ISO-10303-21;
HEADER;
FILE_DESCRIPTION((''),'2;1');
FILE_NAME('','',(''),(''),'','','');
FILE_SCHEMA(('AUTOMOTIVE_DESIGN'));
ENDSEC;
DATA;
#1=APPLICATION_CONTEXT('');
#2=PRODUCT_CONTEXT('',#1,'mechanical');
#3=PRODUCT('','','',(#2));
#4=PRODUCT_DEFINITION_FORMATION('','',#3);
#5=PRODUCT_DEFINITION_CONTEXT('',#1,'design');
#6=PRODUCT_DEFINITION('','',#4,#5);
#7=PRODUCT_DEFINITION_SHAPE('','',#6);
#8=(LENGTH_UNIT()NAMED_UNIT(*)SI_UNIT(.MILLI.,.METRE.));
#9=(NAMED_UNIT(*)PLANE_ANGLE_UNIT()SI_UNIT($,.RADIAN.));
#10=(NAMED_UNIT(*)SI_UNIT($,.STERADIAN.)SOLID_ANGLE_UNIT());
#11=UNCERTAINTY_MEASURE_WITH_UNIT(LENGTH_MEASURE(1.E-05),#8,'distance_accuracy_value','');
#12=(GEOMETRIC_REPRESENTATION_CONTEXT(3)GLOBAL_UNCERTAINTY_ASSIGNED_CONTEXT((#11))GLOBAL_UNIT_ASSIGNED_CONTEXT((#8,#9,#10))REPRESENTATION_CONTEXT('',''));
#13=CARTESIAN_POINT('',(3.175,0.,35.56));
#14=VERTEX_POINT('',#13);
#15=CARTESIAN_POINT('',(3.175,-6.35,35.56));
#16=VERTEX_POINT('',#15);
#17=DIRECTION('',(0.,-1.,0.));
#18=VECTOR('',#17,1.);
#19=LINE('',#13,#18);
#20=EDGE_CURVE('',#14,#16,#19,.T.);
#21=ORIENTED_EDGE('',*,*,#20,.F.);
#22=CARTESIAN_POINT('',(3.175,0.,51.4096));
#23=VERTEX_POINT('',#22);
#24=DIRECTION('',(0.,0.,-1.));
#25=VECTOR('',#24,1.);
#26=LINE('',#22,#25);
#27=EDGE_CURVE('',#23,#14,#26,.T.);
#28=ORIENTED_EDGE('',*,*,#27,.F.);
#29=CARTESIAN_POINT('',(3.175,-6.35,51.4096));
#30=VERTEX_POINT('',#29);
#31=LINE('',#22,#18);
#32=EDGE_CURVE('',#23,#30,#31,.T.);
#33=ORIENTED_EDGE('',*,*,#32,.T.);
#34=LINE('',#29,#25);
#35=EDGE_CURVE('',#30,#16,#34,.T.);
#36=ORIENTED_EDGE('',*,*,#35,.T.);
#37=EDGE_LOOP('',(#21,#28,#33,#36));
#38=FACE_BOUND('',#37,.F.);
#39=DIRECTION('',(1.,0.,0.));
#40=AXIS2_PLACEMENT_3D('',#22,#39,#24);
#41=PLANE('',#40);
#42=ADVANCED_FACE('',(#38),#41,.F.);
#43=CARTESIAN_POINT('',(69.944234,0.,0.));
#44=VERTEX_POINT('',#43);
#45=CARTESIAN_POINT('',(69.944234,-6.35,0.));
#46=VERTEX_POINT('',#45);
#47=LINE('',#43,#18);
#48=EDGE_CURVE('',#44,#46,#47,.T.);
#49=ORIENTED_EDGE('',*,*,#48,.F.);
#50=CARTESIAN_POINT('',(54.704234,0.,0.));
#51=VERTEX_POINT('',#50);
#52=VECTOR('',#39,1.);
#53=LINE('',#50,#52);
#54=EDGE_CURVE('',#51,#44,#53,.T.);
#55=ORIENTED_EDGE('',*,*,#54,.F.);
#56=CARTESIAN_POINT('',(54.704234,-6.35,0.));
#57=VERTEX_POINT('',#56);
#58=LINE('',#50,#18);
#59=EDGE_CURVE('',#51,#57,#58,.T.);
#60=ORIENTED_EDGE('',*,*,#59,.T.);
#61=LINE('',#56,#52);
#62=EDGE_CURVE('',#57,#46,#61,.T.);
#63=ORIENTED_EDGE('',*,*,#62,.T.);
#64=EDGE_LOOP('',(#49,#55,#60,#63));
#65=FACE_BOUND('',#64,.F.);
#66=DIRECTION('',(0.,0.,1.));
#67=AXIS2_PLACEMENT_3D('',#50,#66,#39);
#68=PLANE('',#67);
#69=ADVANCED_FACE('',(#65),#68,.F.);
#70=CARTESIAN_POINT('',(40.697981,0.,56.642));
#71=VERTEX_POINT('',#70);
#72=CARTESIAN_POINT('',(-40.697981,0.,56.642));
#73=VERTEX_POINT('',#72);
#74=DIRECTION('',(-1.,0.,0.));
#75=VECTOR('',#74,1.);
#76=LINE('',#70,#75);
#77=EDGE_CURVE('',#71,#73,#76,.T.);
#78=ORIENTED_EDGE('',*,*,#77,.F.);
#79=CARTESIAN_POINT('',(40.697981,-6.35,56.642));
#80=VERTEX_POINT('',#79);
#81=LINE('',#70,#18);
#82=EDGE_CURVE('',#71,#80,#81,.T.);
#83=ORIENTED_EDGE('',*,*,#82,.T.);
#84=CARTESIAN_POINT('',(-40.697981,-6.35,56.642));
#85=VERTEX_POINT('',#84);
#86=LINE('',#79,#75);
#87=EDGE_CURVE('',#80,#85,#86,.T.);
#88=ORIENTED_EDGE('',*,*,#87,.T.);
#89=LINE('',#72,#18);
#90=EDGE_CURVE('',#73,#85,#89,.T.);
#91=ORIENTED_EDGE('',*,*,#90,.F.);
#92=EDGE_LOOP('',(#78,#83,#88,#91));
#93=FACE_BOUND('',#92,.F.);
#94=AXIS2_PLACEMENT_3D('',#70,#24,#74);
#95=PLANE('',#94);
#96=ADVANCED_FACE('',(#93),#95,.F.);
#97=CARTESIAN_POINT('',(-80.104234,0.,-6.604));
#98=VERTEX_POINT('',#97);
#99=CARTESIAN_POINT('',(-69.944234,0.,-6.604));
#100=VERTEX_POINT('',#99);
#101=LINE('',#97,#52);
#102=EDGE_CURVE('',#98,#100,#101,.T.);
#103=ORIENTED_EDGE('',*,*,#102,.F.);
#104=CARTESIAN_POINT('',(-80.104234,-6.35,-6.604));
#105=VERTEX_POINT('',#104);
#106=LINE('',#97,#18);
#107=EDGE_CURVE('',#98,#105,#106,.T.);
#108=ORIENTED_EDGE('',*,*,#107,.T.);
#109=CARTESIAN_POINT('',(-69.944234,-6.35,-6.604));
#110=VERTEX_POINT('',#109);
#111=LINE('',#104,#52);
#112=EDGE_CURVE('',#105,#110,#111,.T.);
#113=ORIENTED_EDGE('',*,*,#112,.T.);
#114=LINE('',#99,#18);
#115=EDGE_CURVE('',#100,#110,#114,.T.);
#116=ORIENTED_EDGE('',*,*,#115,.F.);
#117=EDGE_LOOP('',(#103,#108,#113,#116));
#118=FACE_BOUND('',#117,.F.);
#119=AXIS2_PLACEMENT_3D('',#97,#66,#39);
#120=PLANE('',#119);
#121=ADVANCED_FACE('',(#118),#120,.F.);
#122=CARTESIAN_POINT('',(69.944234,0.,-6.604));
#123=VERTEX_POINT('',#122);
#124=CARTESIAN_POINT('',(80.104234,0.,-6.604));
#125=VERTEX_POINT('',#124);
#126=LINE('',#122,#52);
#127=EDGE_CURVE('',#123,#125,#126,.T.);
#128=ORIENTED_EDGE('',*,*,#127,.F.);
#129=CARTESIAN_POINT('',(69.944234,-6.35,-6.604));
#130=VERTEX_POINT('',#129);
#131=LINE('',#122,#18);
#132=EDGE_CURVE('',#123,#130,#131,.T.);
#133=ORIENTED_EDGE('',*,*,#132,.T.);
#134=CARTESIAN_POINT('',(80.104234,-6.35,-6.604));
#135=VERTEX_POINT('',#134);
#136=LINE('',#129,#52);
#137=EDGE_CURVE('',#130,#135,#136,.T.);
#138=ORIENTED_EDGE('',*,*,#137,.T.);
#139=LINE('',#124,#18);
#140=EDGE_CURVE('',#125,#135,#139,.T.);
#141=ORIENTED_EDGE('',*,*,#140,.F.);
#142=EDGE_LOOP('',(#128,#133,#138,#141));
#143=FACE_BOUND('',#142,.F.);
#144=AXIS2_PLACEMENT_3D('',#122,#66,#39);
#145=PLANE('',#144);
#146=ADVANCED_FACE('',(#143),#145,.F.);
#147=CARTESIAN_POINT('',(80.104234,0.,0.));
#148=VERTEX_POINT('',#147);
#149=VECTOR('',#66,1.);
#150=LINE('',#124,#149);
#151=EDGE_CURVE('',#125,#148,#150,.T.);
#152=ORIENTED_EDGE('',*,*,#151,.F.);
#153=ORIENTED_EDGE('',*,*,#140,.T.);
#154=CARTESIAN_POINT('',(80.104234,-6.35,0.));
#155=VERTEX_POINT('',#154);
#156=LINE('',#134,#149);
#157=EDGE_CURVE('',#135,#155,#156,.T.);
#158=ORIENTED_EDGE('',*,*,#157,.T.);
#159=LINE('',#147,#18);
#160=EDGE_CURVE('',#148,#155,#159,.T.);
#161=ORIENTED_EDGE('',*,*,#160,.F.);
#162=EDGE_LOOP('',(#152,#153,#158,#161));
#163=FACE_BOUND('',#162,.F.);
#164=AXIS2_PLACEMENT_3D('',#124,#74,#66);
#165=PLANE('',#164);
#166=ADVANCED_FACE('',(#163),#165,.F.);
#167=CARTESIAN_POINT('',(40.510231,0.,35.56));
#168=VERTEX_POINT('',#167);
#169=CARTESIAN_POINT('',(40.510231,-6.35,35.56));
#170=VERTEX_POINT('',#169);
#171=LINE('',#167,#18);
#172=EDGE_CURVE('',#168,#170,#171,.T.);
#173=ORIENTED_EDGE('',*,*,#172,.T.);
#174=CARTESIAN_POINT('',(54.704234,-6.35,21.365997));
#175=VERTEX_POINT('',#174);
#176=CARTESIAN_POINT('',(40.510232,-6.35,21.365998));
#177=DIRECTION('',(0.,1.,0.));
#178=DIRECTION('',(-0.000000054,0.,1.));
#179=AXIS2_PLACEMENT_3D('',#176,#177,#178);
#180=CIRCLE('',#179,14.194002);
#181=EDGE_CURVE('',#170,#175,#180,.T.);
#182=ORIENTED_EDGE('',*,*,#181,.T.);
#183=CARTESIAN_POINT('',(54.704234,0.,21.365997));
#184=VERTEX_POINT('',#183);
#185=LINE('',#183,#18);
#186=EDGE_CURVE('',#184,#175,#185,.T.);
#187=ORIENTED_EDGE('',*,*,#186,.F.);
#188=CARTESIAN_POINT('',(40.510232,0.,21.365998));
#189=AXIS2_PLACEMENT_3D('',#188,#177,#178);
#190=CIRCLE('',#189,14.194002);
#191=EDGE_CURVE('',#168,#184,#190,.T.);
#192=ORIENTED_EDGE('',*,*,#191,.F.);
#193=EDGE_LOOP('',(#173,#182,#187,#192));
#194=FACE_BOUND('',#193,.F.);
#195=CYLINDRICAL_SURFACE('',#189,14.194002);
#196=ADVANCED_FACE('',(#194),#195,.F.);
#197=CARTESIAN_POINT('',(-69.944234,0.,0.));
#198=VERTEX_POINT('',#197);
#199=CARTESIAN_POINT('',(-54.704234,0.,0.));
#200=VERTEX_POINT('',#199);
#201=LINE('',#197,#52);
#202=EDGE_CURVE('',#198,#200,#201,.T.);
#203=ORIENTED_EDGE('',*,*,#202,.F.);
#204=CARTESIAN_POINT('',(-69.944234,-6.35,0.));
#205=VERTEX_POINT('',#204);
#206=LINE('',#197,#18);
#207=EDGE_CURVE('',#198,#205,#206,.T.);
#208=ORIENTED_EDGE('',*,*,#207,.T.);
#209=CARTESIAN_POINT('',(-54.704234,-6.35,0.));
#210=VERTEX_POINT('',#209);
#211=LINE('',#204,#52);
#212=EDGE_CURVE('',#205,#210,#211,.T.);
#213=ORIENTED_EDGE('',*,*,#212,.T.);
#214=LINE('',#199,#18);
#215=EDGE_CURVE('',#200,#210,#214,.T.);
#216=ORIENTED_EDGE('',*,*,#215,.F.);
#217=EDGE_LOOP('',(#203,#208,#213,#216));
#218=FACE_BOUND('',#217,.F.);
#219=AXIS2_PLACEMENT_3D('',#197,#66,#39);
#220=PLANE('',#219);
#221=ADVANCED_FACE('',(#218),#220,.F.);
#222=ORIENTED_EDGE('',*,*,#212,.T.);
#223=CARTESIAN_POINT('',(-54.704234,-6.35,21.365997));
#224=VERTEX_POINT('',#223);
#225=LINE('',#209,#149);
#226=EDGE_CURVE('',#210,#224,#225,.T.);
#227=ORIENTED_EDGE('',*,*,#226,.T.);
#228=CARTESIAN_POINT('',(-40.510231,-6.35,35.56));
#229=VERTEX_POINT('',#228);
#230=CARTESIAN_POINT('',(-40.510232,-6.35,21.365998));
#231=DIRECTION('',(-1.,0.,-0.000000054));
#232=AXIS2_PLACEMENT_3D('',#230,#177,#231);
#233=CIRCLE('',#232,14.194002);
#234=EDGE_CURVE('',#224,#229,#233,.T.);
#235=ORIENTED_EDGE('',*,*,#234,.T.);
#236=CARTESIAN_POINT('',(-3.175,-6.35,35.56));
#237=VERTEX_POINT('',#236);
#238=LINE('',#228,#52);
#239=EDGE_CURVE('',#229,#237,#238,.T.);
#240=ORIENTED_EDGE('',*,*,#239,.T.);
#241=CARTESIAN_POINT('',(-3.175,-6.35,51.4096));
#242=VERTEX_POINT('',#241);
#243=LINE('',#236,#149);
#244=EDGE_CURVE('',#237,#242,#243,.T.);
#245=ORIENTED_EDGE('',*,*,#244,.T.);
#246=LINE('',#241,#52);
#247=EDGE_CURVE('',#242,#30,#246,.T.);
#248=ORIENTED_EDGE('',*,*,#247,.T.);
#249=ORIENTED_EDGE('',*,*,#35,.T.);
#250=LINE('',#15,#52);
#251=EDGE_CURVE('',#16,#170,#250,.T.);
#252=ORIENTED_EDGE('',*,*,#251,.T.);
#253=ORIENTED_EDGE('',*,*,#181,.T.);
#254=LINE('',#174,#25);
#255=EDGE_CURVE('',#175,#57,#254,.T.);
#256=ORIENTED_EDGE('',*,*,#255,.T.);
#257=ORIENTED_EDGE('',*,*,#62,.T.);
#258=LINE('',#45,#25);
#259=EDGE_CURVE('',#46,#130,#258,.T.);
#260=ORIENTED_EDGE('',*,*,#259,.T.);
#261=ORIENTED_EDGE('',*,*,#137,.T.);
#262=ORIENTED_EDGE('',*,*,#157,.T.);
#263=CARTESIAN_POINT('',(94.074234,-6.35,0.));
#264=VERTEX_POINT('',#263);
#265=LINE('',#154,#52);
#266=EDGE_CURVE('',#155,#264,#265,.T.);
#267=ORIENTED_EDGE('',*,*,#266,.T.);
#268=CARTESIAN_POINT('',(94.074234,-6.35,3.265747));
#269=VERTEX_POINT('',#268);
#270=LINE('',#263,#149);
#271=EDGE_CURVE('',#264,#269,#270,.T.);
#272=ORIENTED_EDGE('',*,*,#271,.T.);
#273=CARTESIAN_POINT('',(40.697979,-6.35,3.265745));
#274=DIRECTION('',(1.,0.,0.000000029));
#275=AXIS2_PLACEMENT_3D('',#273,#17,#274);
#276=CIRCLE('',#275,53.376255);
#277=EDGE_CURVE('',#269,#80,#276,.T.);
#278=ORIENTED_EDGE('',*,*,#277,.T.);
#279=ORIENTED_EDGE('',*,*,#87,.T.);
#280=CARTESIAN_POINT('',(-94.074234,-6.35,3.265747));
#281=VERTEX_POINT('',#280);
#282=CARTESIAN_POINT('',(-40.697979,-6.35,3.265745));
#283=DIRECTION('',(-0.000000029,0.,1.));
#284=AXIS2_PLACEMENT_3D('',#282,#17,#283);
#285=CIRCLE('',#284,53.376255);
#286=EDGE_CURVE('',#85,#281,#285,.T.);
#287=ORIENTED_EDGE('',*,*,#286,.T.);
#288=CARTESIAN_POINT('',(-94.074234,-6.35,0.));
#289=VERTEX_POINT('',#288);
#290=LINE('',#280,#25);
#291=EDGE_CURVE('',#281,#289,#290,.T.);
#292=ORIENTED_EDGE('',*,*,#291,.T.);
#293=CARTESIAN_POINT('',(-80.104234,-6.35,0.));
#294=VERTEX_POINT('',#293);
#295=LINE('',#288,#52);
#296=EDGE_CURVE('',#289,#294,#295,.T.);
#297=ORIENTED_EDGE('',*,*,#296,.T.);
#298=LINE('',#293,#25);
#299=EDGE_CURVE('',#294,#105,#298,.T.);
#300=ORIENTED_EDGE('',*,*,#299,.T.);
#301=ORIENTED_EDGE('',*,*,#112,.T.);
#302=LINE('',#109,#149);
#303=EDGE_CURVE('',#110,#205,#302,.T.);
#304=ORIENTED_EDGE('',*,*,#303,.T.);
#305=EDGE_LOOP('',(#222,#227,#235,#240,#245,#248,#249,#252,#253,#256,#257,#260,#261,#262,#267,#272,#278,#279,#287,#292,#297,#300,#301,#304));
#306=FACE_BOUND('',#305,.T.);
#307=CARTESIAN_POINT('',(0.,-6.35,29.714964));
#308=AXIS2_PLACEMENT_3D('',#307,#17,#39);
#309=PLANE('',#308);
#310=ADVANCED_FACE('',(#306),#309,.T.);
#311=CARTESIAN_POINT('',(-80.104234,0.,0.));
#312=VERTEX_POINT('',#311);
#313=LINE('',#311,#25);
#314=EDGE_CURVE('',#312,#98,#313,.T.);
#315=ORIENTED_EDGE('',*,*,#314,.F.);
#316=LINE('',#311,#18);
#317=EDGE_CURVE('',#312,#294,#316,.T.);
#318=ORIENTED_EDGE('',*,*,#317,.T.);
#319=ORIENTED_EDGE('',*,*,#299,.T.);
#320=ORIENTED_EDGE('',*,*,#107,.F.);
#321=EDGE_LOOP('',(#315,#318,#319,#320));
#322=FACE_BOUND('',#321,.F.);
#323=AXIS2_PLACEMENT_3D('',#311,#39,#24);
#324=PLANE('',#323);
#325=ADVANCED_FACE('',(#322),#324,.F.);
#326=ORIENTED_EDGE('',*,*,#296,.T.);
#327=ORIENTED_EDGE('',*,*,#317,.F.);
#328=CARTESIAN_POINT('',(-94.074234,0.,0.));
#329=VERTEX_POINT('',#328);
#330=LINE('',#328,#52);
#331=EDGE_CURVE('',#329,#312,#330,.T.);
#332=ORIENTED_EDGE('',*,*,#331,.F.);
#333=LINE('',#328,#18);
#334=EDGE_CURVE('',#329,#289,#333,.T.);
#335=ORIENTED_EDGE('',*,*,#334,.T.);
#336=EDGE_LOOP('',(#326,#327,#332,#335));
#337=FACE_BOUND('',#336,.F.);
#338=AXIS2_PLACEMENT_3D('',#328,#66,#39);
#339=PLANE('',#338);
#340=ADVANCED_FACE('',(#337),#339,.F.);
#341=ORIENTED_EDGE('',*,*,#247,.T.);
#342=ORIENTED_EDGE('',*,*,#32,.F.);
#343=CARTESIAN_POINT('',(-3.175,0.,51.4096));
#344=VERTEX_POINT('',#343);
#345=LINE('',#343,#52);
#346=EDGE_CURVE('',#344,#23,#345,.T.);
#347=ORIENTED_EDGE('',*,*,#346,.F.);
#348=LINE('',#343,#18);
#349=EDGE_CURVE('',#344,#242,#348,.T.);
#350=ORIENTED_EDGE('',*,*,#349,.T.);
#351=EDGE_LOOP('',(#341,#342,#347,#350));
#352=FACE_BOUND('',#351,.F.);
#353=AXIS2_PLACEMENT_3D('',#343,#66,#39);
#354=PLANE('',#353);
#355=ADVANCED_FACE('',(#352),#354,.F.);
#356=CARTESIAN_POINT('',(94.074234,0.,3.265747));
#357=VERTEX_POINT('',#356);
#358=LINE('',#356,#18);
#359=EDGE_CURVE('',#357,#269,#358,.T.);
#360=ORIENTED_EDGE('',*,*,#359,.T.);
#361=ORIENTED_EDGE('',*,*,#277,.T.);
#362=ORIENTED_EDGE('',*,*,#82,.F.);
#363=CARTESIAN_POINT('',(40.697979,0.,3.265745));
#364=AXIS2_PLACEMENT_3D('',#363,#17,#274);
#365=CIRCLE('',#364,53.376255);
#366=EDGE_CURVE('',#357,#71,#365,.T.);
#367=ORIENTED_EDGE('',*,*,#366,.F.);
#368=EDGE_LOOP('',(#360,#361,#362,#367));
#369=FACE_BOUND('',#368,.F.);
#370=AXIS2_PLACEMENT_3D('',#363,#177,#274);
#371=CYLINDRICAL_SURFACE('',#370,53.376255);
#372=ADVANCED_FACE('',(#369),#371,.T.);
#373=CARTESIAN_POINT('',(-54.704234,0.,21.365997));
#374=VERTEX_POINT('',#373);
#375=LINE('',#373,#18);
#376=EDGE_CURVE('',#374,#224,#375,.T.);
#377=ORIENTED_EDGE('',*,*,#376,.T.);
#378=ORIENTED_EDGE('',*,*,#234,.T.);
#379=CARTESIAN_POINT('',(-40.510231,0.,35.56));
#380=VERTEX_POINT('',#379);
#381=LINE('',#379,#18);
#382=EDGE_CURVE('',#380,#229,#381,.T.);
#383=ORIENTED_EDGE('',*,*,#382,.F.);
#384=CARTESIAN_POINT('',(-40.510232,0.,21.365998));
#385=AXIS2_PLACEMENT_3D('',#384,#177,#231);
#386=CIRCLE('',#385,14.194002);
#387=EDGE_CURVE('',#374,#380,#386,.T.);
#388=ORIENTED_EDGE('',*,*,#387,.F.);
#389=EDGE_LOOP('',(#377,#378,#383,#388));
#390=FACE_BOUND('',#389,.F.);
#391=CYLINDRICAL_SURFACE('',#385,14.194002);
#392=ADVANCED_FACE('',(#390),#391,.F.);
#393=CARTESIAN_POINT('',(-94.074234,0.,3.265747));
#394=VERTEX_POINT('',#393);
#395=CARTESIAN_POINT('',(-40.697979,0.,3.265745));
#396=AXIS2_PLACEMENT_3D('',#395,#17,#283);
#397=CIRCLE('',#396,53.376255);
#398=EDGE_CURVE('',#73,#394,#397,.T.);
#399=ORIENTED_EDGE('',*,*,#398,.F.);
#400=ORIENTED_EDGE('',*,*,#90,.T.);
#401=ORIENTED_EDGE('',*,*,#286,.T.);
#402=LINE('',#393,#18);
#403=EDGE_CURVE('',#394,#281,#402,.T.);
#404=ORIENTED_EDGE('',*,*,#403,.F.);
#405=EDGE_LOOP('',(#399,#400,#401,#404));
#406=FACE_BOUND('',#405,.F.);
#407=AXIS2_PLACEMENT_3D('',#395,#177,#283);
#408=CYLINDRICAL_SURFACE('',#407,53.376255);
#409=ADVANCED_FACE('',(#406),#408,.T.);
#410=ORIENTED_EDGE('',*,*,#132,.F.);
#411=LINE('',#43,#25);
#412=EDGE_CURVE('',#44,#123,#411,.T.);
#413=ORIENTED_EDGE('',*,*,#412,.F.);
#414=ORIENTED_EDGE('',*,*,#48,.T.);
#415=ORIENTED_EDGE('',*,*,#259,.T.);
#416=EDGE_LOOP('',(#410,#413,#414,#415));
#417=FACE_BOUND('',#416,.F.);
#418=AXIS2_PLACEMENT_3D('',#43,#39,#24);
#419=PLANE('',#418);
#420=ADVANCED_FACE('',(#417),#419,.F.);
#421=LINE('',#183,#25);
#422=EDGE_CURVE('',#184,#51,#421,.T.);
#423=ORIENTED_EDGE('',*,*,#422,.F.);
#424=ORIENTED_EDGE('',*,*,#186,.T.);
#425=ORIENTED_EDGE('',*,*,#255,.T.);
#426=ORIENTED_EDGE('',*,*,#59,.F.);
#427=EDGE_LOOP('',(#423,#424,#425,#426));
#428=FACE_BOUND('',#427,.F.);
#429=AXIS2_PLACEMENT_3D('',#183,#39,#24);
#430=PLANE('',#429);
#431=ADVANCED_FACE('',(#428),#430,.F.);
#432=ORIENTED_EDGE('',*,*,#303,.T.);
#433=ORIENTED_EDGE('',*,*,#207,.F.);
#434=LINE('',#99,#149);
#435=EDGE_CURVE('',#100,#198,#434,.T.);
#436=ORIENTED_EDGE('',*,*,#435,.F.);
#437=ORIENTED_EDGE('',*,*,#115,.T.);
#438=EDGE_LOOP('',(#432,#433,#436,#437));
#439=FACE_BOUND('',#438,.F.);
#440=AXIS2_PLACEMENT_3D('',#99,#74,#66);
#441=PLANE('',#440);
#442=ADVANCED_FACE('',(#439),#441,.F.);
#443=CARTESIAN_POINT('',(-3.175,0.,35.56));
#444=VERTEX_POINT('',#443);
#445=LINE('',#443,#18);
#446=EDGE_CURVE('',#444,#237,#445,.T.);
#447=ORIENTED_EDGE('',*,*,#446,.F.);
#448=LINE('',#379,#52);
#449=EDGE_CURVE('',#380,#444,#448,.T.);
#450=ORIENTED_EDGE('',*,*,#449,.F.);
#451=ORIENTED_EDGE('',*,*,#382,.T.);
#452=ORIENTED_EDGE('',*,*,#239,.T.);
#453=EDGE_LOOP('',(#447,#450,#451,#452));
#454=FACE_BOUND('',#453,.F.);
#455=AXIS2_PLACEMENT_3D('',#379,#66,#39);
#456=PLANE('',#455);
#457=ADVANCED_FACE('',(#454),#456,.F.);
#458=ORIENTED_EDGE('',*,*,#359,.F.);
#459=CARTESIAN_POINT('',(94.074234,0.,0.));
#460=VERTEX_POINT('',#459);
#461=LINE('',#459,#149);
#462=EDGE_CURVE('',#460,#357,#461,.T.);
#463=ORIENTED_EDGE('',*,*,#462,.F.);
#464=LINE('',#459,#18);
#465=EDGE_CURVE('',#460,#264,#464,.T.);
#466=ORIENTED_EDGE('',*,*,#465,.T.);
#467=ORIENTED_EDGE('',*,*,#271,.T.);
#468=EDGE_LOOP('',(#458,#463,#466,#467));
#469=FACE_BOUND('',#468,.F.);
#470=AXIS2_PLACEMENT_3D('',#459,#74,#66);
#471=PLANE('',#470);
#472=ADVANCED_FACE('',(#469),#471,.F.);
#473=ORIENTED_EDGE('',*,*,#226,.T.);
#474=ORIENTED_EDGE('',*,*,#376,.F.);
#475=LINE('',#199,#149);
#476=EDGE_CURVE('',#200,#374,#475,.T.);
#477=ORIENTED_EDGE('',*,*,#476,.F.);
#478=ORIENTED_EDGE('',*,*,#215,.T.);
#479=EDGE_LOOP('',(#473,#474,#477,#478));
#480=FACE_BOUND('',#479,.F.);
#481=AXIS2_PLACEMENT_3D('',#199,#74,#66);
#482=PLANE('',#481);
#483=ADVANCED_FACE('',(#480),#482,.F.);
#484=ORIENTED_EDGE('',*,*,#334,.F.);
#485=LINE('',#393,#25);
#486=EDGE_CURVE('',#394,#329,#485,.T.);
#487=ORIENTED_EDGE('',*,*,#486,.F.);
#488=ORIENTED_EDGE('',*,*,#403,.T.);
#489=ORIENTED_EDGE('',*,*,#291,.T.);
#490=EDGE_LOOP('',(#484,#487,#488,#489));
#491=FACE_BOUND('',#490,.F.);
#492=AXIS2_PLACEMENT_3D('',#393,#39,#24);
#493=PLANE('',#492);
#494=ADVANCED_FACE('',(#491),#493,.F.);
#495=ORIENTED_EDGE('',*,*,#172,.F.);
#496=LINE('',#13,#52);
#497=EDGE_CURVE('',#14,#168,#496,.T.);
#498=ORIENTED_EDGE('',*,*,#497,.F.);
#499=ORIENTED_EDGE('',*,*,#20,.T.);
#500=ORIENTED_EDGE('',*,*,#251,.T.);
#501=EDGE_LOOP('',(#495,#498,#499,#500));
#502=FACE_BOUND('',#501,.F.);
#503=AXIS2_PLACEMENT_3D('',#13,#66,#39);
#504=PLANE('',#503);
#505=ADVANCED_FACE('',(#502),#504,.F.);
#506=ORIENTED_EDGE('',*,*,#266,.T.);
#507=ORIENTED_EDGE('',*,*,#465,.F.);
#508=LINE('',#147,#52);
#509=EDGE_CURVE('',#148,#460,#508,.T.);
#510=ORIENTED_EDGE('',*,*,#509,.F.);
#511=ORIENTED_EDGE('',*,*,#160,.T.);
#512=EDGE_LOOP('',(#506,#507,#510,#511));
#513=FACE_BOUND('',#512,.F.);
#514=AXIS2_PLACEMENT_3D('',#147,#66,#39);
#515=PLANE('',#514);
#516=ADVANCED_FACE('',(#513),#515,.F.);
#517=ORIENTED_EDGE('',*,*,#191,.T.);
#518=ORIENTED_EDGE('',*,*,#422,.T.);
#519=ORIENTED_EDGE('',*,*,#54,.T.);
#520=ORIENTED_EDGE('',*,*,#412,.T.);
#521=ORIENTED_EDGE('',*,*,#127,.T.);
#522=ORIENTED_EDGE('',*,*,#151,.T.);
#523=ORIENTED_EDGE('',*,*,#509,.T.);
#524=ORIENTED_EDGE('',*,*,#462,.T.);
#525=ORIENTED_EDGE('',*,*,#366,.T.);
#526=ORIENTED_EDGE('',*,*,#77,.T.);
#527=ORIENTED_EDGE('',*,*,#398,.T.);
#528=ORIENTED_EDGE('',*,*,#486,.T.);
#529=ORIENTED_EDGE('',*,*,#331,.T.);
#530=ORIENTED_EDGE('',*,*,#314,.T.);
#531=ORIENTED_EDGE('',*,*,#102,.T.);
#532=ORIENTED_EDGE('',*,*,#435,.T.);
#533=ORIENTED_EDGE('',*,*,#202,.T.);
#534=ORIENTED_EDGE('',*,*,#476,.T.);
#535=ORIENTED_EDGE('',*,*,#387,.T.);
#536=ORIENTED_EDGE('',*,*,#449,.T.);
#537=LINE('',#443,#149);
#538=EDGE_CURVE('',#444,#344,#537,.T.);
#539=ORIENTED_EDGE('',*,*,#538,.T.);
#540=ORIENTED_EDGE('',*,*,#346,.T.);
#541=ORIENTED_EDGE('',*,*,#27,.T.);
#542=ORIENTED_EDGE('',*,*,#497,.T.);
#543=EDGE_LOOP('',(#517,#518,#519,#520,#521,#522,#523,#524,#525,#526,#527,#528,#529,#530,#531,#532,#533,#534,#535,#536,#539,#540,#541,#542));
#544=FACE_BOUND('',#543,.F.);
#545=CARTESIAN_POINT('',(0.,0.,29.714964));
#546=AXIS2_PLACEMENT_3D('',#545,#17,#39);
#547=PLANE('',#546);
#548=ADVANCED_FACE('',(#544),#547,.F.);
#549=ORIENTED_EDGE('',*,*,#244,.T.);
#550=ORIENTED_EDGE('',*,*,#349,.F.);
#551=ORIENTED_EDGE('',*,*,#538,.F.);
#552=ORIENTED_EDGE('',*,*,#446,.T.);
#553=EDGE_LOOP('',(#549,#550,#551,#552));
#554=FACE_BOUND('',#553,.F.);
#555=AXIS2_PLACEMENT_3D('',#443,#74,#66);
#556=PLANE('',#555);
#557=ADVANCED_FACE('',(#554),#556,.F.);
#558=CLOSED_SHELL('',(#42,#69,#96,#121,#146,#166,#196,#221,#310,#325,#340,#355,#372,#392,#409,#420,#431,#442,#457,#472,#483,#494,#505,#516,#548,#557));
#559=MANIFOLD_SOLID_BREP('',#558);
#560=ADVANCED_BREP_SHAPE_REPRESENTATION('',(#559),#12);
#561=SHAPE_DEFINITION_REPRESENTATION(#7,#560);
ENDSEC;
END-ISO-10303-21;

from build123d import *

# Parameters (mm, degrees)
F1_DEPTH = 6.35


with BuildPart() as f1:
    # F0 (on Front) → F1 (new body)
    with BuildSketch(Plane.XZ):
        with BuildLine():
            Line((-69.944234, -6.604), (-69.944234, 0))
            Line((-69.944234, 0), (-54.704234, 0))
            Line((-54.704234, 0), (-54.704234, 21.365997))
            ThreePointArc((-54.704234, 21.365997), (-50.546907, 31.402673), (-40.510231, 35.56))
            Line((-40.510231, 35.56), (-3.175, 35.56))
            Line((-3.175, 35.56), (-3.175, 51.4096))
            Line((-3.175, 51.4096), (3.175, 51.4096))
            Line((3.175, 51.4096), (3.175, 35.56))
            Line((3.175, 35.56), (40.510231, 35.56))
            ThreePointArc((40.510231, 35.56), (50.546907, 31.402673), (54.704234, 21.365997))
            Line((54.704234, 21.365997), (54.704234, 0))
            Line((54.704234, 0), (69.944234, 0))
            Line((69.944234, 0), (69.944234, -6.604))
            Line((69.944234, -6.604), (80.104234, -6.604))
            Line((80.104234, -6.604), (80.104234, 0))
            Line((80.104234, 0), (94.074234, 0))
            Line((94.074234, 0), (94.074234, 3.265747))
            ThreePointArc((94.074234, 3.265747), (78.440691, 41.008457), (40.697981, 56.642))
            Line((40.697981, 56.642), (-40.697981, 56.642))
            ThreePointArc((-40.697981, 56.642), (-78.440691, 41.008457), (-94.074234, 3.265747))
            Line((-94.074234, 3.265747), (-94.074234, 0))
            Line((-94.074234, 0), (-80.104234, 0))
            Line((-80.104234, 0), (-80.104234, -6.604))
            Line((-80.104234, -6.604), (-69.944234, -6.604))
        make_face()
    extrude(amount=F1_DEPTH)


solid = f1.part
